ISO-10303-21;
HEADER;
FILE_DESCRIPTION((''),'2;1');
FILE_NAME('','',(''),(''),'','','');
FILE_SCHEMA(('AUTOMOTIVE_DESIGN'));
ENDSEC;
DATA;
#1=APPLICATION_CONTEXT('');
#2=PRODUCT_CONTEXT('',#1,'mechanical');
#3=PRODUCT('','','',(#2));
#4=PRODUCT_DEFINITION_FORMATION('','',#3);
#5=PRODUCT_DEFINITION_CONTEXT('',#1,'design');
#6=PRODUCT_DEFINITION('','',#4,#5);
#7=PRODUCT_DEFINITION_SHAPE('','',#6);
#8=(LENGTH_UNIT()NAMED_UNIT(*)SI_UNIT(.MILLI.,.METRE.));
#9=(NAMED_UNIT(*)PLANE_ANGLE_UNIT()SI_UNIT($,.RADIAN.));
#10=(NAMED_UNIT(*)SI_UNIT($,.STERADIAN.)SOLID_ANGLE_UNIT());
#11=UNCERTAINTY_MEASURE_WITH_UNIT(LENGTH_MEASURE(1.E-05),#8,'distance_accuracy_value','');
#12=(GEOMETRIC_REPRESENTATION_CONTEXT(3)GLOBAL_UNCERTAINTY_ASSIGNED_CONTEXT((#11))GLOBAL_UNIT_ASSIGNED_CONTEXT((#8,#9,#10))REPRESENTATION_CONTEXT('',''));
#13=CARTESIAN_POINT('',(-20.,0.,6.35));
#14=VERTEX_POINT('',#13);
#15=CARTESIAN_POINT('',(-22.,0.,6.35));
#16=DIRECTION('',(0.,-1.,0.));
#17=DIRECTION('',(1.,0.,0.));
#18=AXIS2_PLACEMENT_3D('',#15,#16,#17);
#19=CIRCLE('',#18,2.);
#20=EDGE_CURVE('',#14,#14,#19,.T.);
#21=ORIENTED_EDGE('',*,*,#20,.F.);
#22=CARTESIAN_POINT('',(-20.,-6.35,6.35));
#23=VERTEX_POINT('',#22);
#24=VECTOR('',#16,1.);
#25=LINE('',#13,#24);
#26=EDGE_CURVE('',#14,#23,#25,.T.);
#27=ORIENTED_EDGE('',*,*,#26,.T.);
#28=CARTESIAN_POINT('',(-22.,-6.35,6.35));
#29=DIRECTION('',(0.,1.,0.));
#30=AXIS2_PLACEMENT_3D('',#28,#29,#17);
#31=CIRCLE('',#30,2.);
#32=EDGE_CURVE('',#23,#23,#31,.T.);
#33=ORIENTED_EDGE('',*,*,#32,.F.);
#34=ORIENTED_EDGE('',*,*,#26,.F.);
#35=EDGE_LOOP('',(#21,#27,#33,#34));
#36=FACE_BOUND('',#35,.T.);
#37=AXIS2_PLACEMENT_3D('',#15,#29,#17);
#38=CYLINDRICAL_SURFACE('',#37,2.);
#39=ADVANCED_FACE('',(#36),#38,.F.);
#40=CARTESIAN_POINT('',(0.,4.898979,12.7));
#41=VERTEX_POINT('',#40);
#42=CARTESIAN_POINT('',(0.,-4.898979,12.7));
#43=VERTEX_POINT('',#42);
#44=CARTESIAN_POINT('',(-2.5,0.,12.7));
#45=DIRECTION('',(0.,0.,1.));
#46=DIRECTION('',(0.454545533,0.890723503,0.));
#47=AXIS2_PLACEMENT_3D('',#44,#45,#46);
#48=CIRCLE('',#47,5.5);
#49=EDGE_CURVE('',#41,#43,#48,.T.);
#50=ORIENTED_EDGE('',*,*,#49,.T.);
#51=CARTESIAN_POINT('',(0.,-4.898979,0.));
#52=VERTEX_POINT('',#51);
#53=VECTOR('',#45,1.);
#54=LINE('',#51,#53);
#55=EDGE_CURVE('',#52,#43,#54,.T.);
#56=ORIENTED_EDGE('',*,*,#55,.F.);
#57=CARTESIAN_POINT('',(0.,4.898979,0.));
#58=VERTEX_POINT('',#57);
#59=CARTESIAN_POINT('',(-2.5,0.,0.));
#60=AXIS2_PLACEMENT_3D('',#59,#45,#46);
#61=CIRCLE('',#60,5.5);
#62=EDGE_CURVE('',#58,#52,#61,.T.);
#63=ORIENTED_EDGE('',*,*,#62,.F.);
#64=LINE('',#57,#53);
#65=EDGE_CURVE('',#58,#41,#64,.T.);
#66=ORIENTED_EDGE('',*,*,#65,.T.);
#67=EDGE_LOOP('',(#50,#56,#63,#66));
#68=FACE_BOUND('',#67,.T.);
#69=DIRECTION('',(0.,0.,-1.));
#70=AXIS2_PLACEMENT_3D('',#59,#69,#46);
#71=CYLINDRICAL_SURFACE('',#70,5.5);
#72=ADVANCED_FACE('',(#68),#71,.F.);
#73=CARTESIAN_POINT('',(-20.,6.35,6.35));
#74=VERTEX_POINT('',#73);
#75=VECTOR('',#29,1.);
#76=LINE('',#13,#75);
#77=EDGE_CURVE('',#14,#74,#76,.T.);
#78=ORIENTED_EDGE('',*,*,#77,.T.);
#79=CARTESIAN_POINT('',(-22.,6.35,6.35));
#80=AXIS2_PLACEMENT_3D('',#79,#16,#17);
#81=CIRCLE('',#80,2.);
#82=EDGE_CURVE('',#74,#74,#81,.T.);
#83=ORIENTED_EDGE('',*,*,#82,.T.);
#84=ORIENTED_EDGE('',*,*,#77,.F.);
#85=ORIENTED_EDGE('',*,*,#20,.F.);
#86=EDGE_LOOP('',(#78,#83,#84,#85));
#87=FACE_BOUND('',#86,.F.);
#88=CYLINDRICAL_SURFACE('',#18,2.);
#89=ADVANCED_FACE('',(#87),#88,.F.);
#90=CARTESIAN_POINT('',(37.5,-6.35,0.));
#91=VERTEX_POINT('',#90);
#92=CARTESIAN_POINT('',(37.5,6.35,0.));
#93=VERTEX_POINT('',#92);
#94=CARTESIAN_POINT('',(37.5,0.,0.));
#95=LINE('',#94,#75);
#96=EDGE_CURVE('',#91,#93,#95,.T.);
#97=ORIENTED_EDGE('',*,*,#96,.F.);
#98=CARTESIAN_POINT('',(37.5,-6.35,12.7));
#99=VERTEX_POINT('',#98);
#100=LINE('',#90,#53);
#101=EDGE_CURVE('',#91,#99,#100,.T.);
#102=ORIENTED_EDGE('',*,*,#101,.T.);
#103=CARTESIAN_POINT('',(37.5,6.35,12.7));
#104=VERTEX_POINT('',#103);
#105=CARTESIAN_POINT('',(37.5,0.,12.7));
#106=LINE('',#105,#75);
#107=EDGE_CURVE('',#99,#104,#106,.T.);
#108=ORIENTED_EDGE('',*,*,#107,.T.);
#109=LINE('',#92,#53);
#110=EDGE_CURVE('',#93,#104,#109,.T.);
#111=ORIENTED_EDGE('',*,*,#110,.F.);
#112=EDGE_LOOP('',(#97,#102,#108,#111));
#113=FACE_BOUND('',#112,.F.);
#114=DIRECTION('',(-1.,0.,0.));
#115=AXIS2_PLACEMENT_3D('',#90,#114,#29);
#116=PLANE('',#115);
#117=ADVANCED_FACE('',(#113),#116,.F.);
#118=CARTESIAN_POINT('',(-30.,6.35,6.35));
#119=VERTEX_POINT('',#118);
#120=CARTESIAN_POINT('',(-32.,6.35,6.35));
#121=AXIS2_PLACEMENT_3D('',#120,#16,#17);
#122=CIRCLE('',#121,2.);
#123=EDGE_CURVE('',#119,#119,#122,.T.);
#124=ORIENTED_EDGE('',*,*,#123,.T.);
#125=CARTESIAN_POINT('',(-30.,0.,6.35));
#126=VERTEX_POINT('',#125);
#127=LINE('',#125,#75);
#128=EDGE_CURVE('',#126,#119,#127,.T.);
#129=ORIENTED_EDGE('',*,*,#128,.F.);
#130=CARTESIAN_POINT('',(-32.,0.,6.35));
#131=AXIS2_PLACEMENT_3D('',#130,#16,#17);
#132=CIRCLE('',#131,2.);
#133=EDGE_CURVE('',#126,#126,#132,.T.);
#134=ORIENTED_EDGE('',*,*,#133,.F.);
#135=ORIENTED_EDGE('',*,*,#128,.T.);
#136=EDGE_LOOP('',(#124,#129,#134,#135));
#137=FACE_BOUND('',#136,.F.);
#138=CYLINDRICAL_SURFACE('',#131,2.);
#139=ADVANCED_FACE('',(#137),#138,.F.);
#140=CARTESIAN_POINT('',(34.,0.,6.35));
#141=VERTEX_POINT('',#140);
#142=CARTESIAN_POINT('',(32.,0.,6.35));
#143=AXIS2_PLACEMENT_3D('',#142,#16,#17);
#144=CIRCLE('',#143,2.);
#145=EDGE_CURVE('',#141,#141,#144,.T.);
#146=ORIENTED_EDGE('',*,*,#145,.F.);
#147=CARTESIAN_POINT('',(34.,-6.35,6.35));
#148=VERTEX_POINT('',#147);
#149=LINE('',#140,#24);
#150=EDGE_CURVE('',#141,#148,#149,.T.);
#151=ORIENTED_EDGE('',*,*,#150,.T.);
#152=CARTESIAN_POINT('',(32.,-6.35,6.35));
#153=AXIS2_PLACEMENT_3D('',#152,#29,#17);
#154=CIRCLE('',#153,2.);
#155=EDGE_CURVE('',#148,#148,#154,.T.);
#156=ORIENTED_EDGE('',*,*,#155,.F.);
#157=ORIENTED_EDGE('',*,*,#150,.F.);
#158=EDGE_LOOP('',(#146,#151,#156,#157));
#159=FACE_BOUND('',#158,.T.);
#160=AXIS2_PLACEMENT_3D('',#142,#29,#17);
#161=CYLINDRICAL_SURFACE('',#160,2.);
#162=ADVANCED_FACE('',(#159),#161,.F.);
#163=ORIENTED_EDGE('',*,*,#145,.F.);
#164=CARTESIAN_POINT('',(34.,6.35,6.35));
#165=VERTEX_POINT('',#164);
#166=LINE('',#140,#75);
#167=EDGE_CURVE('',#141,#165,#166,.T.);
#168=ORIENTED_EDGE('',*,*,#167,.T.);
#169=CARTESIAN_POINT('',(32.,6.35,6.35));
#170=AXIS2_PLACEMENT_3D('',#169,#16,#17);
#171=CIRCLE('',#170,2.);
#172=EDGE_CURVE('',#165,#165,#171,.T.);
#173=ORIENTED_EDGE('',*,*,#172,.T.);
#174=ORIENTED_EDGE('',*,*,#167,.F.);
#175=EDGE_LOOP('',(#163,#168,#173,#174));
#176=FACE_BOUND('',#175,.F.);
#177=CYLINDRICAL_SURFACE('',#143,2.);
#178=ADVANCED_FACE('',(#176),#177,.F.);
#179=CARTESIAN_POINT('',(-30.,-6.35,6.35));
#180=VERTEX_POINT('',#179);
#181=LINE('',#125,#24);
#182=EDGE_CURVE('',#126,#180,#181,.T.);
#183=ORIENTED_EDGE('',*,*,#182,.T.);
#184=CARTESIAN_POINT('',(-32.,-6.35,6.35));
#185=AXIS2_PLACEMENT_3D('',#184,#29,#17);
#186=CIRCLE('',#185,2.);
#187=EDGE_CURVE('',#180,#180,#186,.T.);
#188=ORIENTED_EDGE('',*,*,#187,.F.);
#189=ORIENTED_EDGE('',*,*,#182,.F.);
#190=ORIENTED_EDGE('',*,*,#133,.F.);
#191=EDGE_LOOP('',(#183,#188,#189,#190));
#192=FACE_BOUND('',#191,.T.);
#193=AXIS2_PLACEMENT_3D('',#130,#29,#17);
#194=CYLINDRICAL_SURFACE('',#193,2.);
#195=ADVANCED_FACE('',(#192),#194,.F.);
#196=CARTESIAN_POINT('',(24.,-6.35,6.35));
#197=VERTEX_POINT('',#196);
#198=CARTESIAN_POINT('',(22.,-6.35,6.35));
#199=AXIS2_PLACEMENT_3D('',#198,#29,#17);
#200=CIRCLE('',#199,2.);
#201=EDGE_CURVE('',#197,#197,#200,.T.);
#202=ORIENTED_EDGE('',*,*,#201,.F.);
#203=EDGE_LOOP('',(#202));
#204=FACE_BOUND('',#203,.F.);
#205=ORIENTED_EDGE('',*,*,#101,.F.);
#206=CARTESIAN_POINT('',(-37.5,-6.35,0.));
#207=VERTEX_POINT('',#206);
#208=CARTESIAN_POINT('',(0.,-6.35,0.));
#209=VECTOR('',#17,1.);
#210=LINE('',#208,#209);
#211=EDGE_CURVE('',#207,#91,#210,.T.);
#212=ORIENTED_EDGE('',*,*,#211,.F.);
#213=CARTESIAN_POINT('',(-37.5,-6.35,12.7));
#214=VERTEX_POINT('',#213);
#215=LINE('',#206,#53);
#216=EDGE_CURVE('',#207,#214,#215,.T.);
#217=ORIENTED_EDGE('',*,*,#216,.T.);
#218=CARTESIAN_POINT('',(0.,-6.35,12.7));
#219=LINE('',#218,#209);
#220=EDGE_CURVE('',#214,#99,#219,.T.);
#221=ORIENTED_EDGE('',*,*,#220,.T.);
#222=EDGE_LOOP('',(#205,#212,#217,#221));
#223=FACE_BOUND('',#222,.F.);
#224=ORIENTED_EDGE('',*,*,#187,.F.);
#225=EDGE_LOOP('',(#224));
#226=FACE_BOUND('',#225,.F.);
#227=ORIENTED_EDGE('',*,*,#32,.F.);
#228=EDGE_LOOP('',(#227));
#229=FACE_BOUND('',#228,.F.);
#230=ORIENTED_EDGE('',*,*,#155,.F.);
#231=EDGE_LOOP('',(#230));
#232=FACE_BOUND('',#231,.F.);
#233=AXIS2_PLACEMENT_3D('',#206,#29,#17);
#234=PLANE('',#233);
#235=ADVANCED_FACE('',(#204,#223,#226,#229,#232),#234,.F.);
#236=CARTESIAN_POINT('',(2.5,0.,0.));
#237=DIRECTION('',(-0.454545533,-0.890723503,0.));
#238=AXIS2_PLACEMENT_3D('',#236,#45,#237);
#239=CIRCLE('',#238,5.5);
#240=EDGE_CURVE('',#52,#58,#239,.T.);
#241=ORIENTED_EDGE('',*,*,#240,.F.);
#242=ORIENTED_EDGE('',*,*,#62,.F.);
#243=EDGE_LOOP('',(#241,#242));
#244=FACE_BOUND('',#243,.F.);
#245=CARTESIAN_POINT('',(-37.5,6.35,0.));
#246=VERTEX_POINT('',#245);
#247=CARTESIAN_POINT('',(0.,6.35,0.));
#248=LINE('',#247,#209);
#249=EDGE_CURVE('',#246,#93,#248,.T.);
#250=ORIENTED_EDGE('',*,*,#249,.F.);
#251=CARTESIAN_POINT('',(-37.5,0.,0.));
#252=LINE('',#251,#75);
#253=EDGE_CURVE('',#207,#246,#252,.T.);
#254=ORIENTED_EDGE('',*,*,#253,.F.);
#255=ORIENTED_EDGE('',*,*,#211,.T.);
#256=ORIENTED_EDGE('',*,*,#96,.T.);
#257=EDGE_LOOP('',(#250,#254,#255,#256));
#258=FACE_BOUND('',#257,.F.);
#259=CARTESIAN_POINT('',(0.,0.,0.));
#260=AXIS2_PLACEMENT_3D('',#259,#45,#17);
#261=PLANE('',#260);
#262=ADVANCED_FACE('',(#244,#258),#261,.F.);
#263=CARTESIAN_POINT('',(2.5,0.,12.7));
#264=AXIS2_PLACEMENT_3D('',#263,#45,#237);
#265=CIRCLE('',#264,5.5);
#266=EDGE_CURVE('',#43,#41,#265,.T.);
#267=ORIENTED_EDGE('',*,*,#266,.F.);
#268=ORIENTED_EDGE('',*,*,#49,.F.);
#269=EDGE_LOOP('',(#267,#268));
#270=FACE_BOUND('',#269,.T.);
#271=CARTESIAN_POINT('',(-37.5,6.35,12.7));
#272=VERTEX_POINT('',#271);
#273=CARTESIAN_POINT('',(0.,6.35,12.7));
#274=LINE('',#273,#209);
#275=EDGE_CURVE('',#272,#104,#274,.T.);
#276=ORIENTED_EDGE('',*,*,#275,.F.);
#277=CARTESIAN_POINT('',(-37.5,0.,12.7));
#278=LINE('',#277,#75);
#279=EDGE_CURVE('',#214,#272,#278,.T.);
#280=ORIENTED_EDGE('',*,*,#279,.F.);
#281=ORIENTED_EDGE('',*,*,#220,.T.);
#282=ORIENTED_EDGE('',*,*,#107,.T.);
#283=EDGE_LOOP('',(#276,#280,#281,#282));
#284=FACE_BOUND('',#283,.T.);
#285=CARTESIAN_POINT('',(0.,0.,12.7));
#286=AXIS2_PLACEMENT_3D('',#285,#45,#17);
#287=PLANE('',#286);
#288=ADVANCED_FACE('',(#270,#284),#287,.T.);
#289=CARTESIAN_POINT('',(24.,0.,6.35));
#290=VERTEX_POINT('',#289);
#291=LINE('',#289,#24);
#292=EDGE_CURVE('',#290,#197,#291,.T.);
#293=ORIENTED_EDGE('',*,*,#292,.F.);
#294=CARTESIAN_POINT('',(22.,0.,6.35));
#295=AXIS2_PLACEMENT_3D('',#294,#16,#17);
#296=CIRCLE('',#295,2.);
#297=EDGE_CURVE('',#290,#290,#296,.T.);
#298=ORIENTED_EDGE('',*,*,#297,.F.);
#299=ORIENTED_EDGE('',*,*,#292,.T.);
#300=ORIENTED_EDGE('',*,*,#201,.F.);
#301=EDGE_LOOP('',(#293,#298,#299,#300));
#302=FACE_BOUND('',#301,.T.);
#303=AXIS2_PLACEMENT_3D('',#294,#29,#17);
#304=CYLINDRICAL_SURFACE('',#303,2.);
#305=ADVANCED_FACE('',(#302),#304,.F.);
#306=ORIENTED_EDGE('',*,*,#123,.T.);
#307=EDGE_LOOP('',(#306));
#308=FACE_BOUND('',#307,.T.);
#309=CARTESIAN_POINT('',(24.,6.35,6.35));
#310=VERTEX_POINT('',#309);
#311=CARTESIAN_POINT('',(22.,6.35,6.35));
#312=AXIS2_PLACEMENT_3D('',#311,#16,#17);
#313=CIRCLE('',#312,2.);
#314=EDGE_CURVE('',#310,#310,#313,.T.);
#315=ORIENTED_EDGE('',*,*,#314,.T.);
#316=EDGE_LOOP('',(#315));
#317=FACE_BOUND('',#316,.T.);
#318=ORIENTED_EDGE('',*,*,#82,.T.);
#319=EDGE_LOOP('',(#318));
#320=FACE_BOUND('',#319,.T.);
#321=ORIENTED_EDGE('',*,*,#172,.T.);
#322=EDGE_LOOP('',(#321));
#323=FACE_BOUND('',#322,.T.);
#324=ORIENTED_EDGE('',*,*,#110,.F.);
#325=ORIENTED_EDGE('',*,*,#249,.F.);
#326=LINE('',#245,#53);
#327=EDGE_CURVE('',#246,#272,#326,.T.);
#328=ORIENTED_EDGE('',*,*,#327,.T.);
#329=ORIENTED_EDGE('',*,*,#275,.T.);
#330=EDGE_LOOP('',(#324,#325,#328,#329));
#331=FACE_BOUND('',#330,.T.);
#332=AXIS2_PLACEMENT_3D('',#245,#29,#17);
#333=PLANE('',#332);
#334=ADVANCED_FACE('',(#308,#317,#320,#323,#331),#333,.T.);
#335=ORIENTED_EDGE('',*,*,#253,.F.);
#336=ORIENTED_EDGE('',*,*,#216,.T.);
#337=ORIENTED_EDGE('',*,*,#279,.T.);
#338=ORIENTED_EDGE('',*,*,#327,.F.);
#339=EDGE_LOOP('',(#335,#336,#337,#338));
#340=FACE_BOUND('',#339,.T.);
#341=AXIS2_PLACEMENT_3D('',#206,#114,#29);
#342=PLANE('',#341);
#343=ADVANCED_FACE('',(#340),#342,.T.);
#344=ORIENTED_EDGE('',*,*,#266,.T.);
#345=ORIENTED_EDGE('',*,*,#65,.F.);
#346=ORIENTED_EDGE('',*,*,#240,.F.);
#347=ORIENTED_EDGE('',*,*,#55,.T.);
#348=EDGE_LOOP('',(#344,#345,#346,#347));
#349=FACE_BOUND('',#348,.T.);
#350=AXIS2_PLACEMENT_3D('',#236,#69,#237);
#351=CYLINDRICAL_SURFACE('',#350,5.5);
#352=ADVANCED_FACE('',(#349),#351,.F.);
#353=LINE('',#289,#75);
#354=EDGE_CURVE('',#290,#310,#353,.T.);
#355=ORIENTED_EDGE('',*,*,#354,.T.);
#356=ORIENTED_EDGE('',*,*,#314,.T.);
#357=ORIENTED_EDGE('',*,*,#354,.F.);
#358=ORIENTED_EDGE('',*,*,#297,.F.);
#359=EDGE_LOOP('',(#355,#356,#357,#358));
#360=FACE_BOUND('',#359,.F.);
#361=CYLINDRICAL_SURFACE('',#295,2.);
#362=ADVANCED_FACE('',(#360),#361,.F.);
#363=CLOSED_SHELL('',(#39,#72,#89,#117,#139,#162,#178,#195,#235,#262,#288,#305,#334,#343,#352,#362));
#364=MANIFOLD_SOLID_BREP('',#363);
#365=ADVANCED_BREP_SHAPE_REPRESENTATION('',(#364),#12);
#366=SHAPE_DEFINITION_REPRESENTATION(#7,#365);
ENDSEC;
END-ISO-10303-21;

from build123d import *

# Parameters (mm, degrees)
SKETCH_W          = 75
SKETCH_H          = 12.7
PAD_DEPTH         = 12.7
SKETCH001_R       = 2
POCKET_DEPTH      = 6.351
POCKET_DEPTH_BACK = -6.351


with BuildPart() as part:
    # Sketch → Pad (new body)
    with BuildSketch(Plane.XY):
        Rectangle(SKETCH_W, SKETCH_H)
        with BuildLine():
            ThreePointArc((0, -4.898979), (8, 0), (0, 4.898979))
            ThreePointArc((0, 4.898979), (-8, 0), (0, -4.898979))
        make_face(mode=Mode.SUBTRACT)
    extrude(amount=PAD_DEPTH)

    # Sketch001 → Pocket (cut, two sides)
    with BuildSketch(Plane.XZ) as pocket_sk:
        with Locations((-32, 6.35)):
            Circle(SKETCH001_R)
        with Locations((-22, 6.35)):
            Circle(SKETCH001_R)
        with Locations((22, 6.35)):
            Circle(SKETCH001_R)
        with Locations((32, 6.35)):
            Circle(SKETCH001_R)
    extrude(amount=-POCKET_DEPTH, mode=Mode.SUBTRACT)
    extrude(pocket_sk.sketch, amount=-POCKET_DEPTH_BACK, mode=Mode.SUBTRACT)


solid = part.part
